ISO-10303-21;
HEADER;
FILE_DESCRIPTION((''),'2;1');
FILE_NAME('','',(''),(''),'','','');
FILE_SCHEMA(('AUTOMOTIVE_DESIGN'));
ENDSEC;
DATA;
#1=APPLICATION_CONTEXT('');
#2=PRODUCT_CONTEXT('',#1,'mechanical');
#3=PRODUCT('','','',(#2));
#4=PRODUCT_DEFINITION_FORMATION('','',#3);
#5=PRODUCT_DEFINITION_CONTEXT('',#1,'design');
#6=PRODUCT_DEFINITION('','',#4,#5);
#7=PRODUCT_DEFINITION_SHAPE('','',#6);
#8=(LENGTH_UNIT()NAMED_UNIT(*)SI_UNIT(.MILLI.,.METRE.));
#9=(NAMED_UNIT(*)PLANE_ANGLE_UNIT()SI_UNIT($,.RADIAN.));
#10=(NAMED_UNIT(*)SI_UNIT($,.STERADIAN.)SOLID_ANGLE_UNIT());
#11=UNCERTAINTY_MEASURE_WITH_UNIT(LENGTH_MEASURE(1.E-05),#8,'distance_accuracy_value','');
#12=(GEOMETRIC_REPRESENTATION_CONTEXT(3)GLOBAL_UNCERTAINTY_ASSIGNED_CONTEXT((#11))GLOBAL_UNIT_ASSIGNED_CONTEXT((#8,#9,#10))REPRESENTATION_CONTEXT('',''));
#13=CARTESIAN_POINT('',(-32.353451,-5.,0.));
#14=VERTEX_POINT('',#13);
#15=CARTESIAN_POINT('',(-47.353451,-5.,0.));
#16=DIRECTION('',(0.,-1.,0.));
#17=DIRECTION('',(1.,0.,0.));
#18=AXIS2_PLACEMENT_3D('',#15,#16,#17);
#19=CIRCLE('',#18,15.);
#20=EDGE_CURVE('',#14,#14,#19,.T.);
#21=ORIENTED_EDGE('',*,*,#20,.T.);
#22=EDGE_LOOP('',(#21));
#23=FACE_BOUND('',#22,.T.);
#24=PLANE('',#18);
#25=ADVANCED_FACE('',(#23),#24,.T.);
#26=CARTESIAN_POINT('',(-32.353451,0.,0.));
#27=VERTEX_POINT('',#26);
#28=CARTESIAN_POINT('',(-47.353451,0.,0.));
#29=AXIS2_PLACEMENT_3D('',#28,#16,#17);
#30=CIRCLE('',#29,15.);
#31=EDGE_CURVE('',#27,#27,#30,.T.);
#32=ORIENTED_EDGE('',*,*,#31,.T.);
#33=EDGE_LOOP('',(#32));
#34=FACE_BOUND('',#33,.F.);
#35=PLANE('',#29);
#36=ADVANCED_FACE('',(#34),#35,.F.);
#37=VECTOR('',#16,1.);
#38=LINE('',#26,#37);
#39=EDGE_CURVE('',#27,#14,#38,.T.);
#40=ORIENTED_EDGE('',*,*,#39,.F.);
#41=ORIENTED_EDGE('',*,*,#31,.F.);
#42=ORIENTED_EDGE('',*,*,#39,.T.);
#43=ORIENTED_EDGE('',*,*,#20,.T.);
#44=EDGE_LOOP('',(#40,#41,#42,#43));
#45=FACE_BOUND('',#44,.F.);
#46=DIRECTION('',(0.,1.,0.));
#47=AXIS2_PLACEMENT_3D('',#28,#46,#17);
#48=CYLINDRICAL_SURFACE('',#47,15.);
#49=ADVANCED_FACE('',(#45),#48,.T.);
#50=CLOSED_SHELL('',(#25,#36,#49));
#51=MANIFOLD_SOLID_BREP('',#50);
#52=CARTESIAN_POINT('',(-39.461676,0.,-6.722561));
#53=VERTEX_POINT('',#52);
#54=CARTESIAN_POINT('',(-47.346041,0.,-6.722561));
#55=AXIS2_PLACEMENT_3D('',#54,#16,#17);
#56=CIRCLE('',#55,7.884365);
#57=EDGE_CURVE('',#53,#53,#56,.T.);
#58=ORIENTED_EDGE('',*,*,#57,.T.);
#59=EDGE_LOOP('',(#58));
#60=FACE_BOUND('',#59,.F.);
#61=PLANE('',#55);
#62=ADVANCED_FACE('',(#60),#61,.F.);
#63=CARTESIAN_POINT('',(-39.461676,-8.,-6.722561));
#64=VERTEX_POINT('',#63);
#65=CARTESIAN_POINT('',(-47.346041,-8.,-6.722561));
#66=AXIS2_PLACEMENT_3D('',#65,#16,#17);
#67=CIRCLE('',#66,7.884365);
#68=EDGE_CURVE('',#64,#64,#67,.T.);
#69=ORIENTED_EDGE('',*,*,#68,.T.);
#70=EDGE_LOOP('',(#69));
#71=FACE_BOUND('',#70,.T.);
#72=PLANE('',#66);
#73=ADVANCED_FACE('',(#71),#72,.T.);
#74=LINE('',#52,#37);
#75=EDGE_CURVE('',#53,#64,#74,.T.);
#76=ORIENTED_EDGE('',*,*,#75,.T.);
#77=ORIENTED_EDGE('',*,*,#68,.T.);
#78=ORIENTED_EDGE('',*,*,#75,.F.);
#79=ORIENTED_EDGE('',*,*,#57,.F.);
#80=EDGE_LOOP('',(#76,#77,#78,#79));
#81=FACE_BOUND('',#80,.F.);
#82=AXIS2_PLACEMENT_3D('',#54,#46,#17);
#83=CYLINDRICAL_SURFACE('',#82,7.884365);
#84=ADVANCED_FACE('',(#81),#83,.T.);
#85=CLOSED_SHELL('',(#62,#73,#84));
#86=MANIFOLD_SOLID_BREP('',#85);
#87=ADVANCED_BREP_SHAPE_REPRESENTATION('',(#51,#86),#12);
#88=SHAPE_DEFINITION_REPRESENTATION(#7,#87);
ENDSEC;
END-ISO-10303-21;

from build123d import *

# Parameters (mm, degrees)
F0_R     = 15
F0_R_2   = 7.884365
F1_DEPTH = 5
F2_DEPTH = 8


with BuildPart() as f1:
    # F0 (on Front) → F1 (new body)
    with BuildSketch(Plane.XZ):
        with Locations((-47.353451, 0)):
            Circle(F0_R)
        with Locations((-47.346041, -6.722561)):
            Circle(F0_R_2, mode=Mode.SUBTRACT)
        with Locations((-47.346041, -6.722561)):
            Circle(F0_R_2)
    extrude(amount=F1_DEPTH)


with BuildPart() as f2:
    # F0 (on Front) → F2 (new body)
    with BuildSketch(Plane.XZ):
        with Locations((-47.346041, -6.722561)):
            Circle(F0_R_2)
    extrude(amount=F2_DEPTH)


solid = Compound([f1.part, f2.part])
